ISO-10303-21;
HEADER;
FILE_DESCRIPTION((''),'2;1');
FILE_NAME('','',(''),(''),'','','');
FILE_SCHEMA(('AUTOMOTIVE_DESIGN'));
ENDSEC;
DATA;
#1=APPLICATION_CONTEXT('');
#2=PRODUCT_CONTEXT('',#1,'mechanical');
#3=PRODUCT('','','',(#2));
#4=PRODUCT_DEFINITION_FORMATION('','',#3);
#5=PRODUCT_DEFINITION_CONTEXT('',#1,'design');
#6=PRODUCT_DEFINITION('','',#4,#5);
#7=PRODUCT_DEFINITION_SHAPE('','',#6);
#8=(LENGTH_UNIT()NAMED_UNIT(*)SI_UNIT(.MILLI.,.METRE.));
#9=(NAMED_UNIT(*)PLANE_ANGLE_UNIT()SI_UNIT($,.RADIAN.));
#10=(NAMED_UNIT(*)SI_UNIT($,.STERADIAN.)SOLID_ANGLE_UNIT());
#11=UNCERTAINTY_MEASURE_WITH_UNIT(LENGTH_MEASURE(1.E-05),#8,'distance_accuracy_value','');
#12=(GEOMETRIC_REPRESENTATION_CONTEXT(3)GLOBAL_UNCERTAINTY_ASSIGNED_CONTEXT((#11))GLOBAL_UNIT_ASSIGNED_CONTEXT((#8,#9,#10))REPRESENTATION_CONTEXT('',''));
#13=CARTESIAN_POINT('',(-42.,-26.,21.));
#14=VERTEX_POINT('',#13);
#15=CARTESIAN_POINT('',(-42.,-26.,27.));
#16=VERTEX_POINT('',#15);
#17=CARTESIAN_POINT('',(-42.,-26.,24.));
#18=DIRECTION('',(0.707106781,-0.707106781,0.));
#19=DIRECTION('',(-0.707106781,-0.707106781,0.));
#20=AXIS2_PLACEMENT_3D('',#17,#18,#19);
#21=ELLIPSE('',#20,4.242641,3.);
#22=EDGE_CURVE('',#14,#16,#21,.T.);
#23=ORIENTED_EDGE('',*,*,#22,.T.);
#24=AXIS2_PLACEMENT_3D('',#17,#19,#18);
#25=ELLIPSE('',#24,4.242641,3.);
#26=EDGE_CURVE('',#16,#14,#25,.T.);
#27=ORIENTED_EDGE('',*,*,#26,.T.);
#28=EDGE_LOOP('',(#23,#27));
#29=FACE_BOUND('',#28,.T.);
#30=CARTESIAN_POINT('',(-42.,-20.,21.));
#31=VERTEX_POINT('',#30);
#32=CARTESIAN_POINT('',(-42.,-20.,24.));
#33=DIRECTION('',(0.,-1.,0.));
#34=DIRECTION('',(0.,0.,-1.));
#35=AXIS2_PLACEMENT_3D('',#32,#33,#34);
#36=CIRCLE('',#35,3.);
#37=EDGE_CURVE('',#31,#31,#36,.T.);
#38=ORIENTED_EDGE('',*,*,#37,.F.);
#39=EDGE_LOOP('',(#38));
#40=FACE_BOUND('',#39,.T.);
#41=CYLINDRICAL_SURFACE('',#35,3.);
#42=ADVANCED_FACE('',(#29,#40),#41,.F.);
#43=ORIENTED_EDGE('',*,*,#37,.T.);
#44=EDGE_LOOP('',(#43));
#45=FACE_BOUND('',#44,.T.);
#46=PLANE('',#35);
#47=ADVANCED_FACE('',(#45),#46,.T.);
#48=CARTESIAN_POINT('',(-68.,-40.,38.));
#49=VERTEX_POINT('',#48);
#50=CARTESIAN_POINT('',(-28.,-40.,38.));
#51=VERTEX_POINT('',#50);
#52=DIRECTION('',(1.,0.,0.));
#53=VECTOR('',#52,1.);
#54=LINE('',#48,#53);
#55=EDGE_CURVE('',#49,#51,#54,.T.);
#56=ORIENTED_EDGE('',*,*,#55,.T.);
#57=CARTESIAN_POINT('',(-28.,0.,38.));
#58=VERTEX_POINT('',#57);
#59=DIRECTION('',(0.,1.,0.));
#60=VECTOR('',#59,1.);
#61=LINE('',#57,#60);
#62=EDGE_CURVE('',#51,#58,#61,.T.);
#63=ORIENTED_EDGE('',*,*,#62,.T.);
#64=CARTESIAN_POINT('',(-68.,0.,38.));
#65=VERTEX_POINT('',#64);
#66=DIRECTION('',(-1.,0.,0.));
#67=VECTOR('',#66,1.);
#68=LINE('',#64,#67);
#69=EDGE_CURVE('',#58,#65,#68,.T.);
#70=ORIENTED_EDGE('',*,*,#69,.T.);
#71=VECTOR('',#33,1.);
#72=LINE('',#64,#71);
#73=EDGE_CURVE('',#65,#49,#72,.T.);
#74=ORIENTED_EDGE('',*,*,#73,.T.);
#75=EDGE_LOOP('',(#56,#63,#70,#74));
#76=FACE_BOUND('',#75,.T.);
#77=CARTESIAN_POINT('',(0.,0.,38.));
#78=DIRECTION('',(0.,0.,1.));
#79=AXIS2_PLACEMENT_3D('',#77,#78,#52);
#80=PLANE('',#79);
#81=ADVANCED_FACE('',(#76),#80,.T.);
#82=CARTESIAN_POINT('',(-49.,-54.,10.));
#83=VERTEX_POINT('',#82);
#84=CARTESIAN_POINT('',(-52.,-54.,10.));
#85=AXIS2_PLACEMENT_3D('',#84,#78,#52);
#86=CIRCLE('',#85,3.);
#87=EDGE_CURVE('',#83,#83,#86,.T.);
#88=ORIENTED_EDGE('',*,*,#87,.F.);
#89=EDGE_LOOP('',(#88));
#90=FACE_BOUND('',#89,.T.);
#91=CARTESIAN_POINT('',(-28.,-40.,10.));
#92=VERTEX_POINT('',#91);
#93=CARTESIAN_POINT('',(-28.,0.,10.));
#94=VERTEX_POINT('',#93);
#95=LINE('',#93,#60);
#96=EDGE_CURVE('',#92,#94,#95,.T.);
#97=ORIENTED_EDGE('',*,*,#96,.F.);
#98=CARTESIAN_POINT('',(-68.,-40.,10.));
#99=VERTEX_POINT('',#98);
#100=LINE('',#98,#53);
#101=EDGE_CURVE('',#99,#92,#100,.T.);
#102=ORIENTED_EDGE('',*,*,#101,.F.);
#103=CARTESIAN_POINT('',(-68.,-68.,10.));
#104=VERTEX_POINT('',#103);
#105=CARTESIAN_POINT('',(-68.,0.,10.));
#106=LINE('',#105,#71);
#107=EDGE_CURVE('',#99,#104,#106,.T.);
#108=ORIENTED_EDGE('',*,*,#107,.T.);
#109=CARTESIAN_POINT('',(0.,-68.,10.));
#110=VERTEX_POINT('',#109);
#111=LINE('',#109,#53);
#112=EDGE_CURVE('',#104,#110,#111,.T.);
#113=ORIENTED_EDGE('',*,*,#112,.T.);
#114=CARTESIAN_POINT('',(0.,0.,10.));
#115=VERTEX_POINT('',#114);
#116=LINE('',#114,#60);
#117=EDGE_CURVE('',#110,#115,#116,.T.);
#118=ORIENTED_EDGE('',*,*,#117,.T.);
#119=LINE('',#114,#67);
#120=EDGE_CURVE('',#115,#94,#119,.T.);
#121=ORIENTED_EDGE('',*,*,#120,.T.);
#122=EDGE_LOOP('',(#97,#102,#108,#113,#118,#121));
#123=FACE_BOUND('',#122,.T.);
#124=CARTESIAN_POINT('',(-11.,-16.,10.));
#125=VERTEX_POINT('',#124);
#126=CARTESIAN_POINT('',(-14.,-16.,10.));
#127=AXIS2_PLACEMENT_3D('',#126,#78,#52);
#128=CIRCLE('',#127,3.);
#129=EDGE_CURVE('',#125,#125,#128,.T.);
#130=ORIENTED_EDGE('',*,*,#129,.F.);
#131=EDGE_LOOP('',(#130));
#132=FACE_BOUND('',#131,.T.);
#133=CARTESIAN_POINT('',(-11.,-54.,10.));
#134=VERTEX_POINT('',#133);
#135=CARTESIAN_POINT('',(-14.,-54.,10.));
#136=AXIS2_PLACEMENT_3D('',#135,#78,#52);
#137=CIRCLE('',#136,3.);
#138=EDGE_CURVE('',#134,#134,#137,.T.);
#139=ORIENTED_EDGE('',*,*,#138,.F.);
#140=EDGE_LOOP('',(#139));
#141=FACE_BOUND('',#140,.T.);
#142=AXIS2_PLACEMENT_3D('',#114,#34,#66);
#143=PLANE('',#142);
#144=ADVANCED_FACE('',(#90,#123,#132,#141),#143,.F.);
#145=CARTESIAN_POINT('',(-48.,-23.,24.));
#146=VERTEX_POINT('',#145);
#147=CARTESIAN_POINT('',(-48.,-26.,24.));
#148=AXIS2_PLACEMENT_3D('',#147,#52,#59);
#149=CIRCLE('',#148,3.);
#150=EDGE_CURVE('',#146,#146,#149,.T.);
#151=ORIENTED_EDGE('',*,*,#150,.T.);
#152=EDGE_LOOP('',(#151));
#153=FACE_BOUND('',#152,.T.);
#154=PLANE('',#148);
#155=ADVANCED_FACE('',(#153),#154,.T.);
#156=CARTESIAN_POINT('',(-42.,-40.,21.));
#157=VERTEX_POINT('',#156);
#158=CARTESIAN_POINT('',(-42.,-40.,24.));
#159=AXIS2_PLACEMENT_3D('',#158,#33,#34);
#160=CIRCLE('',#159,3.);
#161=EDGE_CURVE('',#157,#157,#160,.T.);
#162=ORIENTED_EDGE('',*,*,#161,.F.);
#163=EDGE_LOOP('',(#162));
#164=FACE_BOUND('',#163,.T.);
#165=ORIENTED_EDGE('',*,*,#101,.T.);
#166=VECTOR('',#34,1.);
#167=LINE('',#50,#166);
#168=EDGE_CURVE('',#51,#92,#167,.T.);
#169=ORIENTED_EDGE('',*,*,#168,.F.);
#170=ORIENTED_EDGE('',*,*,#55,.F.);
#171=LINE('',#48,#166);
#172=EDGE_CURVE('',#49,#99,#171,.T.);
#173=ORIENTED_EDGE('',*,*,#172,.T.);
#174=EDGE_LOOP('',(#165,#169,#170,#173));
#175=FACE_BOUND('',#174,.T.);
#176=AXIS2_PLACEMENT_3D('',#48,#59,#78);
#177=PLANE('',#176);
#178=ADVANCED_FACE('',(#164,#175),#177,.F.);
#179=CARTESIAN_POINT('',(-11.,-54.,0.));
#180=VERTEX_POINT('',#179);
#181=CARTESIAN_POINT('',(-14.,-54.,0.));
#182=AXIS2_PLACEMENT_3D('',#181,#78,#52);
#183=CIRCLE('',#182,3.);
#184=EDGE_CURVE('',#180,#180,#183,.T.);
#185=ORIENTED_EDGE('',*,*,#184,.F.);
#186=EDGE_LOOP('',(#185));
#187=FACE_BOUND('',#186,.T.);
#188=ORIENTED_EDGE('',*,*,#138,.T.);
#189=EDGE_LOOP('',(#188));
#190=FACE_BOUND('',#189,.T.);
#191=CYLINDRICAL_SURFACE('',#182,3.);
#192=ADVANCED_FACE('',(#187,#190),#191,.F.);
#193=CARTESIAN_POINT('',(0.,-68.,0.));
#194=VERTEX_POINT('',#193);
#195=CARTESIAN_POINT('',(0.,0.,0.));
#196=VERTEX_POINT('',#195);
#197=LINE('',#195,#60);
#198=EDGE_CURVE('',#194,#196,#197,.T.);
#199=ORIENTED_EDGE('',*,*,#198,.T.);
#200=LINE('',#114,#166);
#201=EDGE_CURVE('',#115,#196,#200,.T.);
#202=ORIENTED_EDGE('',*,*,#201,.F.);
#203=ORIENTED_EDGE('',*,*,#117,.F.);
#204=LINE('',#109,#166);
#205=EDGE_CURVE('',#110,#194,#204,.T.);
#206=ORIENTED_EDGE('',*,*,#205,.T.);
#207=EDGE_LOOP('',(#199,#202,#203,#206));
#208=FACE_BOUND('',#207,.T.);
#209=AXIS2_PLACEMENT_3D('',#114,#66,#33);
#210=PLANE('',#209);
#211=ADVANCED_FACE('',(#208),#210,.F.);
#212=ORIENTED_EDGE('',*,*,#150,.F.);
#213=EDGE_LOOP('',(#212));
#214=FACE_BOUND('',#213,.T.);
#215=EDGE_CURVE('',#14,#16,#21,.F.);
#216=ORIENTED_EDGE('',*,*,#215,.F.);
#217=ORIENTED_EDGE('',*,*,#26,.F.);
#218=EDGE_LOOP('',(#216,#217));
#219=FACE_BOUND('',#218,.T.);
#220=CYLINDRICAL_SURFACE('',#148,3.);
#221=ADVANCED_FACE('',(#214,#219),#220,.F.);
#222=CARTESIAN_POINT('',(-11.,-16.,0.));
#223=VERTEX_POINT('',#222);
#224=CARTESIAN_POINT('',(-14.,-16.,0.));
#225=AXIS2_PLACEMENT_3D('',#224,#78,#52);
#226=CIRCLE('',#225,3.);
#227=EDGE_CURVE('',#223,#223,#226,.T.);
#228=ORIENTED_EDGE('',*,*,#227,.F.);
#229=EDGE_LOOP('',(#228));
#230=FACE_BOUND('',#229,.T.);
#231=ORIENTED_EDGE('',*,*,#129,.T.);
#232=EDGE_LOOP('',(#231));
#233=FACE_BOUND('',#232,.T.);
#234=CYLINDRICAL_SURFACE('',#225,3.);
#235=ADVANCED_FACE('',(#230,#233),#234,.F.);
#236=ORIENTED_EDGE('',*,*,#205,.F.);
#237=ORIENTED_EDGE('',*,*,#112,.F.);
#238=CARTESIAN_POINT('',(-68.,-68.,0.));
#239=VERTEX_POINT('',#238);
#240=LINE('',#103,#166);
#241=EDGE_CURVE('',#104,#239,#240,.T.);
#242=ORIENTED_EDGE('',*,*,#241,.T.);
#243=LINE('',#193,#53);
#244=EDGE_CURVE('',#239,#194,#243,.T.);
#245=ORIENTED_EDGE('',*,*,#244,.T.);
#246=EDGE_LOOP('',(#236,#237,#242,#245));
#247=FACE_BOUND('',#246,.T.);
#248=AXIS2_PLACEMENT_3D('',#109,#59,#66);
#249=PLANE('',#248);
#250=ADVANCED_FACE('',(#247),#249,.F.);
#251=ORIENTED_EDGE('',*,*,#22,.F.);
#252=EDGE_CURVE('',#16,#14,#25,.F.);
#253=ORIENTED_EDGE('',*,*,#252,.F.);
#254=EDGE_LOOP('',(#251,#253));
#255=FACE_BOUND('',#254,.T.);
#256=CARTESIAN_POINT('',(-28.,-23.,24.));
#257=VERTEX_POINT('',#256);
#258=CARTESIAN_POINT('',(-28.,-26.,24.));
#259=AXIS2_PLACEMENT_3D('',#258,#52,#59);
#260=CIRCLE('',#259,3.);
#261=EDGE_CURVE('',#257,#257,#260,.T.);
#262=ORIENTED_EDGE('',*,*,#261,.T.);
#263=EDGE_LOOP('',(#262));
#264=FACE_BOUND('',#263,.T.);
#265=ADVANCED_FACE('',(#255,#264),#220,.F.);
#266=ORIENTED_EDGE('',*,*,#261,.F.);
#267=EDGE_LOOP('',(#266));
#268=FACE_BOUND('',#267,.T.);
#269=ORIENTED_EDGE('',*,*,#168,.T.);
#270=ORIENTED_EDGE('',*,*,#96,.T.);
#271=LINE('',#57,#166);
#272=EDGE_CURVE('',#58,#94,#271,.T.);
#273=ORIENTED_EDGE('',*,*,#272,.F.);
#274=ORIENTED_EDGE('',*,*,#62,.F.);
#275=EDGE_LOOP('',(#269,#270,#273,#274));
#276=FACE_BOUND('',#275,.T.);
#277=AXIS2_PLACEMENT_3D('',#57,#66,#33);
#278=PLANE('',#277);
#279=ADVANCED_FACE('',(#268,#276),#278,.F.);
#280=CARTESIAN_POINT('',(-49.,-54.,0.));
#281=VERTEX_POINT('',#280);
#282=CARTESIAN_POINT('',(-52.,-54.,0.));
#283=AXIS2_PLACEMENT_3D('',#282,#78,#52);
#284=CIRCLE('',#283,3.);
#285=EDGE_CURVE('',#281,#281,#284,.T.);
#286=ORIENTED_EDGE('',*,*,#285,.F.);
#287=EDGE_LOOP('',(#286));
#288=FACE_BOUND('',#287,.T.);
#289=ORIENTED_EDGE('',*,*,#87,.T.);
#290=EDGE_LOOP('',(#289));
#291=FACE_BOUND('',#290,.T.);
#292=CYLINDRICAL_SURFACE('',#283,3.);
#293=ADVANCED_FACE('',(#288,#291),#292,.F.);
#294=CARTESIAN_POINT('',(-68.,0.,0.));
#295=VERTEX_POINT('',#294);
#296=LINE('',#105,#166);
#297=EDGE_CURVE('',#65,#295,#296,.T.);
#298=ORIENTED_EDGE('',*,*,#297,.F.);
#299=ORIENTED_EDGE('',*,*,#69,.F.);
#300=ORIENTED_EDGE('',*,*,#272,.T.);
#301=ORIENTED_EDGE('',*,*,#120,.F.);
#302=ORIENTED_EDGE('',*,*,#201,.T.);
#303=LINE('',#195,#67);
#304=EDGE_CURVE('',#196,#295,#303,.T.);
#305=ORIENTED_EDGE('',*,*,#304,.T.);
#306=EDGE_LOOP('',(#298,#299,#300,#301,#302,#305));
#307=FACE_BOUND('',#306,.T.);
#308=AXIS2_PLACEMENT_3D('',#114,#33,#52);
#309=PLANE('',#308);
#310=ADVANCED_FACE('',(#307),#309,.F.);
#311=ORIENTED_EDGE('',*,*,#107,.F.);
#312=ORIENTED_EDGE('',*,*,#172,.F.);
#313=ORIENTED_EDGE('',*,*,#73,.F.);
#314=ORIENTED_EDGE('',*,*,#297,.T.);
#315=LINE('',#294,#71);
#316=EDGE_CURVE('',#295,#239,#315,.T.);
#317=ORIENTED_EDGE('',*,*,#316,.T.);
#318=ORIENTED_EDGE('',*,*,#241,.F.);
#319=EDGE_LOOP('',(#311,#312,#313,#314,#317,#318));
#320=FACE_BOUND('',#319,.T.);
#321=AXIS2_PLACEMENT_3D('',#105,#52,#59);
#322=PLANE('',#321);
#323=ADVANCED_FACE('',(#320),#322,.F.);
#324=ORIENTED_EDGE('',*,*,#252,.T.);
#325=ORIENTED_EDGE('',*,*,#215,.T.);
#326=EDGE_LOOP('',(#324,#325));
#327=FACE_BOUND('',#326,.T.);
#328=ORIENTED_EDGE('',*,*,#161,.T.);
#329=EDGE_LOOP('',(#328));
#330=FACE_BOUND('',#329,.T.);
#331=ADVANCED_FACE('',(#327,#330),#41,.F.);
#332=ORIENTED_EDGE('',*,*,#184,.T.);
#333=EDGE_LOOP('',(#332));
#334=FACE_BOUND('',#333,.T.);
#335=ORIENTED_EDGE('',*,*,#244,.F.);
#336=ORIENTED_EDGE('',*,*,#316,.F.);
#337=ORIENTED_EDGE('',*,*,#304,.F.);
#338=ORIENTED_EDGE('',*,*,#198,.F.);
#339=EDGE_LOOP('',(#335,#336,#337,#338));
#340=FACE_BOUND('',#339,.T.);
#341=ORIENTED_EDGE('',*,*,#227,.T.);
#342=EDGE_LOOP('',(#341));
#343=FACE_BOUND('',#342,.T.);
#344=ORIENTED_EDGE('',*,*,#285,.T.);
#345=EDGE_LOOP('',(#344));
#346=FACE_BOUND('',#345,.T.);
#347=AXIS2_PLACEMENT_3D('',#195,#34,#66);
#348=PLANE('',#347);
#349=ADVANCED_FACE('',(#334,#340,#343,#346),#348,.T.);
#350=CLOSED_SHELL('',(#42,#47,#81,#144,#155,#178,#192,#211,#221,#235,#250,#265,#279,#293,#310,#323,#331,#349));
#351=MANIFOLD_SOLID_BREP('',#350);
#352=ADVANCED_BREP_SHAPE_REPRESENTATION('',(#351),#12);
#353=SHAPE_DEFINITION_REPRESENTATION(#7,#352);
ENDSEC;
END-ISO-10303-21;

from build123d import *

# Parameters (mm, degrees)
IZIM1_W                     = 68
IZIM1_H                     = 68
Y_KSEKLIK_EKSTR_ZYON1_DEPTH = 10
IZIM2_W                     = 40
IZIM2_H                     = 40
Y_KSEKLIK_EKSTR_ZYON2_DEPTH = 28
IZIM3_R                     = 3
KES_EKSTR_ZYON1_DEPTH       = 20
IZIM4_R                     = 3
KES_EKSTR_ZYON2_DEPTH       = 20
IZIM5_R                     = 3
KES_EKSTR_ZYON3_DEPTH       = 101.159872204


with BuildPart() as part:
    # Çizim1 → Yükseklik-Ekstrüzyon1 (new body)
    with BuildSketch(Plane.XY):
        with Locations((-34, -34)):
            Rectangle(IZIM1_W, IZIM1_H)
    extrude(amount=Y_KSEKLIK_EKSTR_ZYON1_DEPTH)

    # Çizim2 → Yükseklik-Ekstrüzyon2 (add)
    with BuildSketch(Plane.XY.offset(10)):
        with Locations((-48, -20)):
            Rectangle(IZIM2_W, IZIM2_H)
    extrude(amount=Y_KSEKLIK_EKSTR_ZYON2_DEPTH)

    # Çizim3 → Kes-Ekstrüzyon1 (cut)
    with BuildSketch(Plane.XZ.offset(40)):
        with Locations(Location((-42, 24, 0), (0, 0, 270))):
            Circle(IZIM3_R)
    extrude(amount=-KES_EKSTR_ZYON1_DEPTH, mode=Mode.SUBTRACT)

    # Çizim4 → Kes-Ekstrüzyon2 (cut)
    with BuildSketch(Plane(origin=(-28, 0, 0), x_dir=(0, 0, -1), z_dir=(1, 0, 0))):
        with Locations(Location((-24, -26, 0), (0, 0, 90))):
            Circle(IZIM4_R)
    extrude(amount=-KES_EKSTR_ZYON2_DEPTH, mode=Mode.SUBTRACT)

    # Çizim5 → Kes-Ekstrüzyon3 (cut, through all)
    with BuildSketch(Plane.XY.offset(10)):
        with Locations((-14, -54)):
            Circle(IZIM5_R)
        with Locations((-14, -16)):
            Circle(IZIM5_R)
        with Locations((-52, -54)):
            Circle(IZIM5_R)
    extrude(amount=-KES_EKSTR_ZYON3_DEPTH, mode=Mode.SUBTRACT)


solid = part.part
